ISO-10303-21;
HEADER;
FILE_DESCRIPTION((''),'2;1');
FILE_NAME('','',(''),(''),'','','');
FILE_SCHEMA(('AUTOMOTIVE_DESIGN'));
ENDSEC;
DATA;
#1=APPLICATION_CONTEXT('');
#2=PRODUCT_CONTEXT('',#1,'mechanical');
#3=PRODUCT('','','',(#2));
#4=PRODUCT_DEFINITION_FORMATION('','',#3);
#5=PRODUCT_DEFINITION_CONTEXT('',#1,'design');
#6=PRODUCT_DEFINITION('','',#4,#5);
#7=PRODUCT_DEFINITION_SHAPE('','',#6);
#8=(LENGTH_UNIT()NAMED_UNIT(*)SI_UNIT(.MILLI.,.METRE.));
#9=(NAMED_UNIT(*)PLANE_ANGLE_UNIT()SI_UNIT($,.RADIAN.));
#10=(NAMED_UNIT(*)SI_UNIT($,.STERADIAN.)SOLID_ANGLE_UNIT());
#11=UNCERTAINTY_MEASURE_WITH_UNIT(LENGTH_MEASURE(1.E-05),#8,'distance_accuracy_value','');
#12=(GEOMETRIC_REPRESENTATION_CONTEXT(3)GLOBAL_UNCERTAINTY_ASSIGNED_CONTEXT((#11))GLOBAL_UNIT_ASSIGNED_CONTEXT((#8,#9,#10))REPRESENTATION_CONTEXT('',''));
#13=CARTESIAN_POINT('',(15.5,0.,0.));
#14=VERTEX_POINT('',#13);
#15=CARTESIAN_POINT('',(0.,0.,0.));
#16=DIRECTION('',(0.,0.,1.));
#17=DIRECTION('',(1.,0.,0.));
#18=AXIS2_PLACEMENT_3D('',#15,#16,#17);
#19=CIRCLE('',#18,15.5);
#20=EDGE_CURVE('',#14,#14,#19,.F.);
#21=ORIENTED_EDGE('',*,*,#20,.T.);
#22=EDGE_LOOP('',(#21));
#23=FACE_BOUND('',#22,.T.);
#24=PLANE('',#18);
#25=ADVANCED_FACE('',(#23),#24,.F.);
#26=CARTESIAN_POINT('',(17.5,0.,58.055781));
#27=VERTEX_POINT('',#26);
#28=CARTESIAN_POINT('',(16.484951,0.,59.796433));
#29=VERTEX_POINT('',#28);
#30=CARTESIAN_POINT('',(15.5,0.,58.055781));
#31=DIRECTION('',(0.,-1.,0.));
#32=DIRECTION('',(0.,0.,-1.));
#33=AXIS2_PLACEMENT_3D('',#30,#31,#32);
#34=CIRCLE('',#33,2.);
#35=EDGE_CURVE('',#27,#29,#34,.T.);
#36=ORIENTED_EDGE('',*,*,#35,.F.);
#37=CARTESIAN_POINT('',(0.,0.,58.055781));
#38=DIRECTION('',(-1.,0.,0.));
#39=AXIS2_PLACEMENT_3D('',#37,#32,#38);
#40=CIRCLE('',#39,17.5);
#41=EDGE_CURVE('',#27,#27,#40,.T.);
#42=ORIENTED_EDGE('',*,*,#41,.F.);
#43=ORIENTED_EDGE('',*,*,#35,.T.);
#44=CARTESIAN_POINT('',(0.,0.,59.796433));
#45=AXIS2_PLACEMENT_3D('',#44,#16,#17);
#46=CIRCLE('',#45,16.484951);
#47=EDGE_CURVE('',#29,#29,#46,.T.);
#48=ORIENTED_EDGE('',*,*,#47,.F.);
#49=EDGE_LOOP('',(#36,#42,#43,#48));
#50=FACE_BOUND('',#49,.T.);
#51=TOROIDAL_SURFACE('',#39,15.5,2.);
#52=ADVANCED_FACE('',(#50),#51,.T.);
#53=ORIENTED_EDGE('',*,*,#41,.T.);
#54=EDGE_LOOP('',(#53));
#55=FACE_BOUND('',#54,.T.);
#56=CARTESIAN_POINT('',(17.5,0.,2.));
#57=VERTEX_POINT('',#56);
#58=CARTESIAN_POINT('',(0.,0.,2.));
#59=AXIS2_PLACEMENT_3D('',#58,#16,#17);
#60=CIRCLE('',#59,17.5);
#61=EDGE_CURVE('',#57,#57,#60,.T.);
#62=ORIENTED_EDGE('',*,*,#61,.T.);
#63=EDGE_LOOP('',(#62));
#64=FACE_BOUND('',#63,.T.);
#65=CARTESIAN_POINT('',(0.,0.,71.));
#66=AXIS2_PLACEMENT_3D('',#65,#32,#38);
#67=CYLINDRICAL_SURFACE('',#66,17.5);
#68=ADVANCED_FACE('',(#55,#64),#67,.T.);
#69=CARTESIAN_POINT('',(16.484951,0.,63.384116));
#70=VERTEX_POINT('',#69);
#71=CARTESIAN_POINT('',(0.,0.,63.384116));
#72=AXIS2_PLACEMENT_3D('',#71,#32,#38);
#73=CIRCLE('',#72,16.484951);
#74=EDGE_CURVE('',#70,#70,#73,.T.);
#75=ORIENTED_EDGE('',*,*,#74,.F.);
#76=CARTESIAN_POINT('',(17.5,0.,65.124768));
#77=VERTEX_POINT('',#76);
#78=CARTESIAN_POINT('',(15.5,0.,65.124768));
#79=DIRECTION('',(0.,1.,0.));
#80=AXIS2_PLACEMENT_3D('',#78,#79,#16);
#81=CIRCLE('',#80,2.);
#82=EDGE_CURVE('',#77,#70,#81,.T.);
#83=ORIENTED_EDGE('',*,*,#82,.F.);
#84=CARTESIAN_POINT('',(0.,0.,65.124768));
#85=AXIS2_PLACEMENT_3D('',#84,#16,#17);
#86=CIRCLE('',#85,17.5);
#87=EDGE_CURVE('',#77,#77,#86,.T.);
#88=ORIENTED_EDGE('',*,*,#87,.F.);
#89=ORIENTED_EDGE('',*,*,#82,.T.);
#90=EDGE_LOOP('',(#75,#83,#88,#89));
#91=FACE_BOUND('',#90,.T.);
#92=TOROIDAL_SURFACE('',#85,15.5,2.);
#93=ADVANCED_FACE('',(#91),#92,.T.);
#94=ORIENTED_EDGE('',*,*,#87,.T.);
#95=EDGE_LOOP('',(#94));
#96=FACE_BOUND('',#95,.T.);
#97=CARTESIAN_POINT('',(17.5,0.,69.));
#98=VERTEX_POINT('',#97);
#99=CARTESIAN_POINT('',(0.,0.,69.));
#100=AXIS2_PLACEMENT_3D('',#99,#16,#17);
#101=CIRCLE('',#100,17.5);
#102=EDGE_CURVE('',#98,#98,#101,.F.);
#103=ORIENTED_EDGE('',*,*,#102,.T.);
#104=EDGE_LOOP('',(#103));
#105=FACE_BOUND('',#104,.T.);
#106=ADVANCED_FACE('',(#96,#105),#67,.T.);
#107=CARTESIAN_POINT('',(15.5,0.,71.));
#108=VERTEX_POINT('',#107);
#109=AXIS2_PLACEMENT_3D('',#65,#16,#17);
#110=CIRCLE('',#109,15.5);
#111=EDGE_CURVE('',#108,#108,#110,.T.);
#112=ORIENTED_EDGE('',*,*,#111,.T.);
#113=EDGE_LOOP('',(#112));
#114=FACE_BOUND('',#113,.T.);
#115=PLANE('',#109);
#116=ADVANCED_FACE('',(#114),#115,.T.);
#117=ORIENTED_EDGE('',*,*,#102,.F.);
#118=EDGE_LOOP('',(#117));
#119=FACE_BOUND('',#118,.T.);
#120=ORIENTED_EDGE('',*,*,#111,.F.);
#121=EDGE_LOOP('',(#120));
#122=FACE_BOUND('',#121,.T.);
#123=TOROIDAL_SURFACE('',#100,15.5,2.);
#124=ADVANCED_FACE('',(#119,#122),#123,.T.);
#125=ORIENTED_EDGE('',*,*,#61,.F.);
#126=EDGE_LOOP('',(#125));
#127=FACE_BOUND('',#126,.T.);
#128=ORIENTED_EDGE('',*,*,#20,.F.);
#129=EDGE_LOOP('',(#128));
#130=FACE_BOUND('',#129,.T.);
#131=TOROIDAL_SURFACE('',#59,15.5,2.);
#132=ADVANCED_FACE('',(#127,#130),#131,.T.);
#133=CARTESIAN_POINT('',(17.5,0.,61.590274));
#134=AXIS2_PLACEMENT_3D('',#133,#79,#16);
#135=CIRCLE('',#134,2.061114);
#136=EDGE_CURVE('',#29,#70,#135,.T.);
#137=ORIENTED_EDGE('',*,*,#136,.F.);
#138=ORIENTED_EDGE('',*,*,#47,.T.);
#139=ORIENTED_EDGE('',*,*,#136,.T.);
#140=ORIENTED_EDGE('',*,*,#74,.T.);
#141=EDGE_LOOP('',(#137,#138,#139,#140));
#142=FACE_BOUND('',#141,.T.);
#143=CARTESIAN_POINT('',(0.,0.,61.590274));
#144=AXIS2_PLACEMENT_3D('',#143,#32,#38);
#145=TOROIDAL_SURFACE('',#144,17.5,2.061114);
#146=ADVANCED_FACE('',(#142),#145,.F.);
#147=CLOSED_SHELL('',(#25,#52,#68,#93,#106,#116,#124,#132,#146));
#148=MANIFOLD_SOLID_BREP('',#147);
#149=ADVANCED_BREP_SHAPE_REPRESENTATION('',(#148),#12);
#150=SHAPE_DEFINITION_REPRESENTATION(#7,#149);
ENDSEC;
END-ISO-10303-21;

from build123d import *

# Parameters (mm, degrees)
SKETCH1_R           = 17.5
BOSS_EXTRUDE1_DEPTH = 71
FILLET1_R           = 2
SKETCH2_R           = 2.061113782
FILLET2_R           = 2


with BuildPart() as part:
    # Sketch1 → Boss-Extrude1 (new body)
    with BuildSketch(Plane.XY):
        Circle(SKETCH1_R)
    extrude(amount=BOSS_EXTRUDE1_DEPTH)

    # Fillet1
    fillet1_edges = [part.edges().sort_by_distance(p)[0] for p in [
        (-17.5, 0, 0),
        (-17.5, 0, 71),
    ]]
    fillet(fillet1_edges, radius=FILLET1_R)

    # Cut-Sweep1: sweep along a curve in space
    with BuildLine() as cut_sweep1_path:
        ThreePointArc((17.5, 0, 69), (12.374368671, 12.374368671, 69), (0, 17.5, 69))
        ThreePointArc((0, 17.5, 69), (-12.374368671, 12.374368671, 69), (-17.5, 0, 69))
        ThreePointArc((-17.5, 0, 69), (-12.374368671, -12.374368671, 69), (0, -17.5, 69))
        ThreePointArc((0, -17.5, 69), (12.374368671, -12.374368671, 69), (17.5, 0, 69))
    # Sketch2 → Cut-Sweep1 (sweep, cut)
    with BuildSketch(Plane(origin=(0, 0, 0), x_dir=(1, 0, 0), z_dir=(0, 1, 0))):
        with Locations((17.5, -61.590274305)):
            Circle(SKETCH2_R)
    sweep(path=cut_sweep1_path.line, mode=Mode.SUBTRACT)

    # Fillet2
    fillet2_edges = [part.edges().sort_by_distance(p)[0] for p in [
        (-12.374368671, -12.374368671, 63.651388087),
        (12.374368671, -12.374368671, 59.529160523),
    ]]
    fillet(fillet2_edges, radius=FILLET2_R)


solid = part.part
